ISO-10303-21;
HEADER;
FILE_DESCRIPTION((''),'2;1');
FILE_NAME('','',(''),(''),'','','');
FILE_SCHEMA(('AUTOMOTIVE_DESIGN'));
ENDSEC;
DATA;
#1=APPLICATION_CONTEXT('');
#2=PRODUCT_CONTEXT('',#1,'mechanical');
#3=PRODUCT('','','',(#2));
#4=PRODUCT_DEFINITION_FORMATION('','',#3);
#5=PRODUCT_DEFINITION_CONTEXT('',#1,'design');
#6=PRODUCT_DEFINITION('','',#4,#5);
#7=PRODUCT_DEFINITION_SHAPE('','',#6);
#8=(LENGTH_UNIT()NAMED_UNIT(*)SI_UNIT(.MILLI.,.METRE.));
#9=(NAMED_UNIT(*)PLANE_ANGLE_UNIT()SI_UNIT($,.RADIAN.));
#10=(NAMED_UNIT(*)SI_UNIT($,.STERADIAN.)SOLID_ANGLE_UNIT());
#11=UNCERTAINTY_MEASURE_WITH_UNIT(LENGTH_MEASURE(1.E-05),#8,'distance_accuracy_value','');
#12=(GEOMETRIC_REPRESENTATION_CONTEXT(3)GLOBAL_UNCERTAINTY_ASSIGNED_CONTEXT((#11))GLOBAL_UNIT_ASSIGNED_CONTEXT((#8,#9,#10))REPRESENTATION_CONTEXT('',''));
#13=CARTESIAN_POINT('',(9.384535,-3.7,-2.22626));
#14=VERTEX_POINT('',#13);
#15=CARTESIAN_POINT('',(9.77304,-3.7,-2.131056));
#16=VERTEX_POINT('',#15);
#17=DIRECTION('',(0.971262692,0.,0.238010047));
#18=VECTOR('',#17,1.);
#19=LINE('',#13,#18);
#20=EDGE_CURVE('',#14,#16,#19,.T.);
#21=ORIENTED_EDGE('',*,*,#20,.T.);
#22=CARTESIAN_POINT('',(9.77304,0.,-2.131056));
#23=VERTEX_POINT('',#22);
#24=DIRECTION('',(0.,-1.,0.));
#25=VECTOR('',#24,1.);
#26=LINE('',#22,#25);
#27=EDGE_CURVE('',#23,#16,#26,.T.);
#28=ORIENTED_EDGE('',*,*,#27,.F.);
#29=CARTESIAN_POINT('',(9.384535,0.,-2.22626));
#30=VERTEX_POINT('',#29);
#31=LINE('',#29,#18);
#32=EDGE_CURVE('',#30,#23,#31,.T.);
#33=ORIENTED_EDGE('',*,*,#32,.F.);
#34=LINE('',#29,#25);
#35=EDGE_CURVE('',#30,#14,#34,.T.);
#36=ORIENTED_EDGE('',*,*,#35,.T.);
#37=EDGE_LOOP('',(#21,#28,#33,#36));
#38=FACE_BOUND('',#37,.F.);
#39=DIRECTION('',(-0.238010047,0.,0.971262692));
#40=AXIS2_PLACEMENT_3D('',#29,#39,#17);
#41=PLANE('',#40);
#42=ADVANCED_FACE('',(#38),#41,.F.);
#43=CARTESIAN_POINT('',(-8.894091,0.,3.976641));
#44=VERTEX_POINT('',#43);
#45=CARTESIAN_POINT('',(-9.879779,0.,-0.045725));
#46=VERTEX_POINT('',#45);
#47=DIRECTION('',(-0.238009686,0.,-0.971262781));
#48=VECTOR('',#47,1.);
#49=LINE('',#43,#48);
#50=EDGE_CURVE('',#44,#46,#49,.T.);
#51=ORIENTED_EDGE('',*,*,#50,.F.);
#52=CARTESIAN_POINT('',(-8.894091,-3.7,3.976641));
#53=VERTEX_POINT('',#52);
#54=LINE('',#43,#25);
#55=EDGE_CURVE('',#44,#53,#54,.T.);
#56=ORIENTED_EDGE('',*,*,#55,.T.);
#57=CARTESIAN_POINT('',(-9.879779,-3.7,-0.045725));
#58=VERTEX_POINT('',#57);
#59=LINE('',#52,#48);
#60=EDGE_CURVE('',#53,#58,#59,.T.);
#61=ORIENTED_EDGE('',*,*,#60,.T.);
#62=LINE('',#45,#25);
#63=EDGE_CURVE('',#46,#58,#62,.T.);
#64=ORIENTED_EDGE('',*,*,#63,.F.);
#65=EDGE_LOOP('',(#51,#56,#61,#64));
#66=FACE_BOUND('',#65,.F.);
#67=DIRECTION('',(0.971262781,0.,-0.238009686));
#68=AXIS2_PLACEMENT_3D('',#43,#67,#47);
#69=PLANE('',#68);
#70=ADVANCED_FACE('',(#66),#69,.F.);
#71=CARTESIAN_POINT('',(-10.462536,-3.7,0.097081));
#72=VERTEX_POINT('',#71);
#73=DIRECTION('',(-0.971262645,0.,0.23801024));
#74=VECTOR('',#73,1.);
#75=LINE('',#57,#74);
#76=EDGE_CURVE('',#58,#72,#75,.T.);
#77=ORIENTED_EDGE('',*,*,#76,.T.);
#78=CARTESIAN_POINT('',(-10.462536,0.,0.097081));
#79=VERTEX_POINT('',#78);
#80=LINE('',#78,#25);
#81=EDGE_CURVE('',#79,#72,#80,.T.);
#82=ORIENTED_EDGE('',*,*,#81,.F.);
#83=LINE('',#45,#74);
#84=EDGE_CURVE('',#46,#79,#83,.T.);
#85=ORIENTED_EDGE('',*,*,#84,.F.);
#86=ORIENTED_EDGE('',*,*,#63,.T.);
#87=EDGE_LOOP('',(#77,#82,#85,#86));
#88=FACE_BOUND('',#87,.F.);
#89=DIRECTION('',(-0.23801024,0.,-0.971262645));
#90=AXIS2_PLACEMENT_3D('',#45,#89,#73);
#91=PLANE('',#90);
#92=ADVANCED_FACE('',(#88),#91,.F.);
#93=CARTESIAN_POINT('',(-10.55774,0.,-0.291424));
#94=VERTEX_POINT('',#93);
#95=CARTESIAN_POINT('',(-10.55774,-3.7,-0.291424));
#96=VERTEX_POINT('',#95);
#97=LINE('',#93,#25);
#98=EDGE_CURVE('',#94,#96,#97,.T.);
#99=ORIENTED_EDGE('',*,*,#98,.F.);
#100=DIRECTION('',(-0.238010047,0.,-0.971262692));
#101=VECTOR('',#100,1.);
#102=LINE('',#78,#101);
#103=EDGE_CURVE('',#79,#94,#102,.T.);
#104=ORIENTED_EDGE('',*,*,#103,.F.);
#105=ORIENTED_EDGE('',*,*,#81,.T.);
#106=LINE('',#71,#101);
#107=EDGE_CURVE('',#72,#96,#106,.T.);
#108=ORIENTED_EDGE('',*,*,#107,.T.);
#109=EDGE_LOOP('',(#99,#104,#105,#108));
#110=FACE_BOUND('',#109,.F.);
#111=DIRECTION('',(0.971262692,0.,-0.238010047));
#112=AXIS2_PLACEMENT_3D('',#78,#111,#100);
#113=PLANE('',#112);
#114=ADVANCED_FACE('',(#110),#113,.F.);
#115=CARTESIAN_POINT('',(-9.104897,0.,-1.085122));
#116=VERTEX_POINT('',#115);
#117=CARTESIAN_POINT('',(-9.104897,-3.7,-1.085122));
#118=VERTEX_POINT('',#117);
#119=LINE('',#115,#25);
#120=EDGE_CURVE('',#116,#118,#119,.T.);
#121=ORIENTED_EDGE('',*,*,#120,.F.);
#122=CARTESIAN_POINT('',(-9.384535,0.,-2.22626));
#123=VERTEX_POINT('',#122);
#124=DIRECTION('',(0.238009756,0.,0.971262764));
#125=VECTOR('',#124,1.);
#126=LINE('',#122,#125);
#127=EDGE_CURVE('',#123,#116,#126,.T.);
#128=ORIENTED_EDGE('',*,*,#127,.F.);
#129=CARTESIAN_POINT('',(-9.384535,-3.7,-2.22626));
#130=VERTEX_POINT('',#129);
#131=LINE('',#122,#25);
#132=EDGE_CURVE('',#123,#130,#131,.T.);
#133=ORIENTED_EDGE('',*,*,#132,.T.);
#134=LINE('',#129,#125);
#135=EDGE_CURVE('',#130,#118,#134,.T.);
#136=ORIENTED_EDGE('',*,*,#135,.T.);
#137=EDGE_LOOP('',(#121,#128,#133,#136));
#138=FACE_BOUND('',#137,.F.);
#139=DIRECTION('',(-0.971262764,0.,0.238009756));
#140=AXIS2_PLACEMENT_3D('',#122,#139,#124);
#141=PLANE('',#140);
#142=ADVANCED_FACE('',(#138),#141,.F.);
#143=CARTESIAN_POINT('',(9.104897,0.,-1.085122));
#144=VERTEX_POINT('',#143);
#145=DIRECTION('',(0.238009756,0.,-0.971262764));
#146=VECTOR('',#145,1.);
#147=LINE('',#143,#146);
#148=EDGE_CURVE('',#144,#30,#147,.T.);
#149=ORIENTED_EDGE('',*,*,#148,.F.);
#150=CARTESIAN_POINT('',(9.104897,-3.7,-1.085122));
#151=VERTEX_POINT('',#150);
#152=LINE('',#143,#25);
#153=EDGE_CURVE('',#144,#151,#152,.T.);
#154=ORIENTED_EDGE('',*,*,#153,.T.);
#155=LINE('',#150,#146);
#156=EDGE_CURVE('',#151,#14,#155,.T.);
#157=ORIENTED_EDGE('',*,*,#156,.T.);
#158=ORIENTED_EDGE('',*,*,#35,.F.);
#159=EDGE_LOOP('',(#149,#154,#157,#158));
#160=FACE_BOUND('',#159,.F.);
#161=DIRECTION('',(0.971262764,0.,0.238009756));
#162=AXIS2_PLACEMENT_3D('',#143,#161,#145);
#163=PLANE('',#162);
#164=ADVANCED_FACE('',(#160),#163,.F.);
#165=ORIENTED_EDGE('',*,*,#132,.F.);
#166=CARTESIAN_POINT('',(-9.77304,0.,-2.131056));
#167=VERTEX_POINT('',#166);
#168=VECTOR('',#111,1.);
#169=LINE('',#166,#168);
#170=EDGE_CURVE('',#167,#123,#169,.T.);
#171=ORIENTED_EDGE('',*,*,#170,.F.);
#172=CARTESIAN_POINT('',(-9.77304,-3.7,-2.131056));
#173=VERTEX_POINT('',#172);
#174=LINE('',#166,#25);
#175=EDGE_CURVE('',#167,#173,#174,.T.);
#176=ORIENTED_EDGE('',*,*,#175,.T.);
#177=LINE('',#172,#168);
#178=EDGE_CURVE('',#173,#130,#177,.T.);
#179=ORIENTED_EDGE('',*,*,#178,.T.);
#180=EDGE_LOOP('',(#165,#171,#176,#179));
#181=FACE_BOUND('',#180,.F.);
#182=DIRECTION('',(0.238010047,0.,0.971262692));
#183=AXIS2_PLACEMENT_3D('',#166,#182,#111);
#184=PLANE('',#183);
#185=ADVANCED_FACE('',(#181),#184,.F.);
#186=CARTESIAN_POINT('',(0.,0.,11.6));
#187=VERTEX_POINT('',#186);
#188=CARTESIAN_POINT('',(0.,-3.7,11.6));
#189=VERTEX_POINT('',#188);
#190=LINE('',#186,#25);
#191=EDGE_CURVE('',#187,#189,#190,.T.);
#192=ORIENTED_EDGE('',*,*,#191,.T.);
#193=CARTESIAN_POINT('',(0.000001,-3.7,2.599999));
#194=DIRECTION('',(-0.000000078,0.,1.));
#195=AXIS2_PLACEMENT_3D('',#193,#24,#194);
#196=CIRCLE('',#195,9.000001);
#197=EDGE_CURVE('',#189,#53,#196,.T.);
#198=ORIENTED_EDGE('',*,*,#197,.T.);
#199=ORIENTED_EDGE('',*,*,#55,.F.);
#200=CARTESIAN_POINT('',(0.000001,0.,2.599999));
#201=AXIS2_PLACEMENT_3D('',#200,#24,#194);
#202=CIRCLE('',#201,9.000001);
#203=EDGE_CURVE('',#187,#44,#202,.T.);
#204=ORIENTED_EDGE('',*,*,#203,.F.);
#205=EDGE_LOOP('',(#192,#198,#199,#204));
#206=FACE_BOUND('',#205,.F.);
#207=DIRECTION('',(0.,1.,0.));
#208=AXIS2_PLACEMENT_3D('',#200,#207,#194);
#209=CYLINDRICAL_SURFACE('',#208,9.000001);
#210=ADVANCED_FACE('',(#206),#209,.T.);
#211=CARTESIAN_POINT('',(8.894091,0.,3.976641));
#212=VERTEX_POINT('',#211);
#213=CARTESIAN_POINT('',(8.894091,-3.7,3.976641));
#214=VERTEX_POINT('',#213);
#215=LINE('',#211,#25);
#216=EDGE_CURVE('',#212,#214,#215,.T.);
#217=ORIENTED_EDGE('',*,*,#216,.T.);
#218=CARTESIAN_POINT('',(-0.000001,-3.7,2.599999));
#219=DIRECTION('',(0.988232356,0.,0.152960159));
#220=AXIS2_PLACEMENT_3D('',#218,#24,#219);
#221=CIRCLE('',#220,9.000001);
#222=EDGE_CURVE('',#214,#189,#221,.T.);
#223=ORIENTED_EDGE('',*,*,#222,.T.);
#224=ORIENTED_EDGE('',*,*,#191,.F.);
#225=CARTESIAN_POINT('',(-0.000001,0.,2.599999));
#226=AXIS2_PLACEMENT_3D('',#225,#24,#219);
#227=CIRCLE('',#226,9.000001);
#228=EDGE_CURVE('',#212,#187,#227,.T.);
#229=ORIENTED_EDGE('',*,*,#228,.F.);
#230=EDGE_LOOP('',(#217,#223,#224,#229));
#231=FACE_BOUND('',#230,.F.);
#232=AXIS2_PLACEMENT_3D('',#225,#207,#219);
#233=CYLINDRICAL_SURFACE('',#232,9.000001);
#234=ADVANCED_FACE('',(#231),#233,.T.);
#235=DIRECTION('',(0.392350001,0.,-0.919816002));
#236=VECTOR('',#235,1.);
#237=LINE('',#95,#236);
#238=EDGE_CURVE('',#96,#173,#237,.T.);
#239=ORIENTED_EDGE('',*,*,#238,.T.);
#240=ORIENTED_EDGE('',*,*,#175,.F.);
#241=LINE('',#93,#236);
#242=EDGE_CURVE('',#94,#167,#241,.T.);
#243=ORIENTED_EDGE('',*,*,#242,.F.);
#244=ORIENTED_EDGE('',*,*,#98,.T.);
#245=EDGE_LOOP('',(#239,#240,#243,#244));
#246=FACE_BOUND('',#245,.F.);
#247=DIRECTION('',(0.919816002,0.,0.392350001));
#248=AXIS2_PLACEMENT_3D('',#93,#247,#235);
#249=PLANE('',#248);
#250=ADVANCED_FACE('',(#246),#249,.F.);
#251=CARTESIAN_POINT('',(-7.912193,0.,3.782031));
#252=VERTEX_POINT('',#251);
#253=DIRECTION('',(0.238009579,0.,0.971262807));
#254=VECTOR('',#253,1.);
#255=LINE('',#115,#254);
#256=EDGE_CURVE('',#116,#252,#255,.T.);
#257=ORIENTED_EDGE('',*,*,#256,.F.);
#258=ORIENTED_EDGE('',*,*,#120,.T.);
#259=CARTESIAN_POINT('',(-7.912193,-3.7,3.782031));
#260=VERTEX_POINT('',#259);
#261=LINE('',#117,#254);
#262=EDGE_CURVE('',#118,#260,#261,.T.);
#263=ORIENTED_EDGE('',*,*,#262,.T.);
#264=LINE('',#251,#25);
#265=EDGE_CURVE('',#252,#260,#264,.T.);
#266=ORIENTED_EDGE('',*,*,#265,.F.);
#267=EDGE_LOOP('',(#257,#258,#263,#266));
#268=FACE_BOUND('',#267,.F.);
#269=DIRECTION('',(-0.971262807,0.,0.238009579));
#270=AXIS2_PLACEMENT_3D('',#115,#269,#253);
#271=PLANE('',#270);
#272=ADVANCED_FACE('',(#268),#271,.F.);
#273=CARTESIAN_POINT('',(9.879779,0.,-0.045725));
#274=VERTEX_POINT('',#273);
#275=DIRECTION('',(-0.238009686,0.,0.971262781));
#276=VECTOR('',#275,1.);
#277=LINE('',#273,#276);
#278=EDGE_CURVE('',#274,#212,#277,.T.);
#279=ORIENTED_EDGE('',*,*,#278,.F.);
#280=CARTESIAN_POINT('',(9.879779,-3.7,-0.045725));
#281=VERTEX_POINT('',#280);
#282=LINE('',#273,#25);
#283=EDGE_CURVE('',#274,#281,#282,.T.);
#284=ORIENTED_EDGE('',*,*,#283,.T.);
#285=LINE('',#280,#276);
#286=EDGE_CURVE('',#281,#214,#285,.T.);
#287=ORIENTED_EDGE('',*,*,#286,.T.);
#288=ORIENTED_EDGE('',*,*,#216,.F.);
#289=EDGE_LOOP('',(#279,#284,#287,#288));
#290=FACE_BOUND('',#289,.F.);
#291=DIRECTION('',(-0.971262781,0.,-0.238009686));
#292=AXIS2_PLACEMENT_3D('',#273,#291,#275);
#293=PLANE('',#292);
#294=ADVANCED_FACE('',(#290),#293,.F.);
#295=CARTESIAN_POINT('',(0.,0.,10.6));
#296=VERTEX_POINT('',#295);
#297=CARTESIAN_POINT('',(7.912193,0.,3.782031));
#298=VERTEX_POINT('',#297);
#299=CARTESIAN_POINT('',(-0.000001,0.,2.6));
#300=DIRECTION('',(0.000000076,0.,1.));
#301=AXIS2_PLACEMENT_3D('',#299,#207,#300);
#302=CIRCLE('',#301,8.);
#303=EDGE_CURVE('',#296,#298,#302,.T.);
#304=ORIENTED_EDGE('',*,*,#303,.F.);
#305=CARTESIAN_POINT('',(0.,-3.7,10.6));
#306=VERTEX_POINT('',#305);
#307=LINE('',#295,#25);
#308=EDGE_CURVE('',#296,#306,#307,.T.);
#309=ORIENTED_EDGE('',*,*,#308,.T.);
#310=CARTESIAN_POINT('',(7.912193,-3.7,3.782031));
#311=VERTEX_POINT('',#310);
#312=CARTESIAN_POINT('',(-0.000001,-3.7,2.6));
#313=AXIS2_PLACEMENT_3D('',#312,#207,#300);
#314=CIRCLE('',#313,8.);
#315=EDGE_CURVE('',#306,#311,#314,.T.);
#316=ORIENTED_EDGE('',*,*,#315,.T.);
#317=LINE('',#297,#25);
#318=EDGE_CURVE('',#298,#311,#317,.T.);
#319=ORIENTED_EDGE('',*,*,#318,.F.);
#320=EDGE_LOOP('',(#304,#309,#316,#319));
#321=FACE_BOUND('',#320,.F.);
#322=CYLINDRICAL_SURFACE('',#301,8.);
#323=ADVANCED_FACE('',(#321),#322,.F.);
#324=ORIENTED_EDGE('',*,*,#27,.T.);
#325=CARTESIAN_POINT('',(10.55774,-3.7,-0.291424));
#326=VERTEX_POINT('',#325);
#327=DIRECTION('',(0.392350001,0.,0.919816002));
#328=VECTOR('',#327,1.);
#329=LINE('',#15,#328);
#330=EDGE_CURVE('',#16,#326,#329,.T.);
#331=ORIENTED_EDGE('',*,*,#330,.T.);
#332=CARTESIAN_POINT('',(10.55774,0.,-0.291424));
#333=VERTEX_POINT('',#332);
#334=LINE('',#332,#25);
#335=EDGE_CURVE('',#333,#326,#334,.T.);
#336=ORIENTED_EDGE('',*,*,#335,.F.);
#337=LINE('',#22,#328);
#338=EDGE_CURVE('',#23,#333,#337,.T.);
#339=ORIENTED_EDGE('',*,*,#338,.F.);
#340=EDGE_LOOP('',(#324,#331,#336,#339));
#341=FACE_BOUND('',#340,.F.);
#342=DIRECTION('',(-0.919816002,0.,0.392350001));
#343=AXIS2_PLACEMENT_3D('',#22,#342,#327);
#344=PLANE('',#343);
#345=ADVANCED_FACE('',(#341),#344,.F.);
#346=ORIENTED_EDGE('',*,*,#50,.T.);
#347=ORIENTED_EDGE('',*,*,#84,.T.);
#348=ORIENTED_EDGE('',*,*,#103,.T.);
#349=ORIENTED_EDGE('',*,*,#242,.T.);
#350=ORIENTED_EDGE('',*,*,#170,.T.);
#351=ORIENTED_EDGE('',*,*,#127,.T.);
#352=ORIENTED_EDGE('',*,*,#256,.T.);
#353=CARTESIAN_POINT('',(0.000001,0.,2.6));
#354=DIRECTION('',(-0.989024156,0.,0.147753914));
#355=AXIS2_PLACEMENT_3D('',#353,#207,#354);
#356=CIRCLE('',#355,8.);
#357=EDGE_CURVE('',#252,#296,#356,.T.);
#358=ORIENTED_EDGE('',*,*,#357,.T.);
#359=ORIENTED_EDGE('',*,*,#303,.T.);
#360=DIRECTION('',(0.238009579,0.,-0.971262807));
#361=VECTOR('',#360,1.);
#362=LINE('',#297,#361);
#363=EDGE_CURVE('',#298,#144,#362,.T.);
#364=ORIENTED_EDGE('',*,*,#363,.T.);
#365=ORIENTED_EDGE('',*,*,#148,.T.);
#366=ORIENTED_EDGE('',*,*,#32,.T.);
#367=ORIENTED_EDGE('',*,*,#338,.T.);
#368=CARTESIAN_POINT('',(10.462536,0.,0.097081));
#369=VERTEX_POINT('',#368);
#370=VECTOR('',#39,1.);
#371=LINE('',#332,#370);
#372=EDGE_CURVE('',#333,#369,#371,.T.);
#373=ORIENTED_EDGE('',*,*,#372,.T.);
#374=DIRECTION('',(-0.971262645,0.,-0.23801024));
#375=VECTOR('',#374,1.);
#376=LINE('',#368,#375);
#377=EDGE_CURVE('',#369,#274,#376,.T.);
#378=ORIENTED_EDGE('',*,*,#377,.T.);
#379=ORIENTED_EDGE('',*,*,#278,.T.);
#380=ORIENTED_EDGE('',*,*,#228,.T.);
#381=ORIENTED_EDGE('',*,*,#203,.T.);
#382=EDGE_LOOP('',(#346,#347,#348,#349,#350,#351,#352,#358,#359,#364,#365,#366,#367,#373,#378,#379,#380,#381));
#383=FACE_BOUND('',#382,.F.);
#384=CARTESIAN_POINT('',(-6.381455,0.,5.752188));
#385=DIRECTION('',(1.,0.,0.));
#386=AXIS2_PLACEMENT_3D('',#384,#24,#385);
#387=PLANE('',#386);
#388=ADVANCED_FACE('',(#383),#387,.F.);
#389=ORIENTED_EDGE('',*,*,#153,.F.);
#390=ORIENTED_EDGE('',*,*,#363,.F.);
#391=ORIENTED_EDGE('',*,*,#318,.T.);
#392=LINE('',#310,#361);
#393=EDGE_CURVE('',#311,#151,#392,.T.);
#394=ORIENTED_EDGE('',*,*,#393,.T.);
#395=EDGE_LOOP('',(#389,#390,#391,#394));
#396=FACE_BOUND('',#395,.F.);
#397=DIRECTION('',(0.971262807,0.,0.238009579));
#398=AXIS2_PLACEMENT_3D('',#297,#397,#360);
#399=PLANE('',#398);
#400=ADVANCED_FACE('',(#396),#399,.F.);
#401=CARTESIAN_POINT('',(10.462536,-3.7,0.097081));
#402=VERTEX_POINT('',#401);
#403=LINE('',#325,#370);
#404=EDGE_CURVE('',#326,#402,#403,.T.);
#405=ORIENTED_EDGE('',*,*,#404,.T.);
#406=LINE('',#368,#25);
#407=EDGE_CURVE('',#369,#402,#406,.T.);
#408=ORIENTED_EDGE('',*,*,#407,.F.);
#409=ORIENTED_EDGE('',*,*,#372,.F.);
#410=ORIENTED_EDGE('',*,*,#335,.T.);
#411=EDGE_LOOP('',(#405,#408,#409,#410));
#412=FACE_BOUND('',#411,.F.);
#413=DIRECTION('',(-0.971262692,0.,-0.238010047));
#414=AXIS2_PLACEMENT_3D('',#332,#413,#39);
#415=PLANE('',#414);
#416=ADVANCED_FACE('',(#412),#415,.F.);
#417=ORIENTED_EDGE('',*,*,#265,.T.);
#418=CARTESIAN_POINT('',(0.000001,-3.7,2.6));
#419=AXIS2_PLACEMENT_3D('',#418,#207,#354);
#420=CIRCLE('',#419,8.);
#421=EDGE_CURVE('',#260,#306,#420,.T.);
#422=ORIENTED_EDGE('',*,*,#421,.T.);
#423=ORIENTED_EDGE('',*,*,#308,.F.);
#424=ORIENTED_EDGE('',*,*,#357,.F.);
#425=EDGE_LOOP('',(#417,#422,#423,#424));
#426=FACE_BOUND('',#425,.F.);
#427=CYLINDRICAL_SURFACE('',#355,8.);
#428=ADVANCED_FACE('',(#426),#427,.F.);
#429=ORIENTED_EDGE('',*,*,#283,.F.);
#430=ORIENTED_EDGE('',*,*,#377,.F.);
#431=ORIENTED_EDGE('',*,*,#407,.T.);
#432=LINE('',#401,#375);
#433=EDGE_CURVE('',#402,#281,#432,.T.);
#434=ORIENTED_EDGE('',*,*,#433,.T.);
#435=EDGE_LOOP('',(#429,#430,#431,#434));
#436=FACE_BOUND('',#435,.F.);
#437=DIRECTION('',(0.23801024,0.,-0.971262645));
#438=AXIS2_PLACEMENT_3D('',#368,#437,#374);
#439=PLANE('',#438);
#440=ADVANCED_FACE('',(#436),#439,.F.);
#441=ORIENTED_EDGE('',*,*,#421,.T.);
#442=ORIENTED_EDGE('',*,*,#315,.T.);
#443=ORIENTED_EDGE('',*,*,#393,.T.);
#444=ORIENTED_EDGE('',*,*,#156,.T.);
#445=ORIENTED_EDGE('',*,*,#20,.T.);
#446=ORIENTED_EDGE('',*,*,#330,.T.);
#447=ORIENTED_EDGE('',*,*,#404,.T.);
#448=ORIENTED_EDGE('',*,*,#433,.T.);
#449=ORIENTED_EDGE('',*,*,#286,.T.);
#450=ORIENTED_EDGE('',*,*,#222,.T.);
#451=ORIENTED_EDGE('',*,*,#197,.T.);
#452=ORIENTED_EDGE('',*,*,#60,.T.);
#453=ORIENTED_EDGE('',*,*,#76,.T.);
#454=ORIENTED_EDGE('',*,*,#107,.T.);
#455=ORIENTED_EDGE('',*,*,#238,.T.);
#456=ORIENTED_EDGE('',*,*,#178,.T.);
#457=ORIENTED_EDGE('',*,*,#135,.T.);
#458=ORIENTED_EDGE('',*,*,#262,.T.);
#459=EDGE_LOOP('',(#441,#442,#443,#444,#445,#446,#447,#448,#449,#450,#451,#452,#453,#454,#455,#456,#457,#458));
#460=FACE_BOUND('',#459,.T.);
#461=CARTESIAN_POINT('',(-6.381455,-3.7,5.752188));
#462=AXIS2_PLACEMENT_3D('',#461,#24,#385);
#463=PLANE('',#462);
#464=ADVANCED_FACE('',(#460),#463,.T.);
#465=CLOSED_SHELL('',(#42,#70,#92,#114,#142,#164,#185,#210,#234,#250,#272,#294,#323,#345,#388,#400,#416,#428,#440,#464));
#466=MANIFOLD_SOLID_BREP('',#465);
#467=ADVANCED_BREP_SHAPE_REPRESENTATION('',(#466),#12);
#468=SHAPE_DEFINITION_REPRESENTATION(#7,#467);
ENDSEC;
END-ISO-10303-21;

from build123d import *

# Parameters (mm, degrees)
F1_DEPTH = 3.7


with BuildPart() as f1:
    # F0 (on Front) → F1 (new body)
    with BuildSketch(Plane.XZ):
        with BuildLine():
            Line((0, 10.6), (0, 11.6))
            ThreePointArc((0, 11.6), (-5.857057, 9.433365), (-8.894091, 3.976641))
            Line((-8.894091, 3.976641), (-9.879779, -0.045725))
            Line((-9.879779, -0.045725), (-10.462536, 0.097081))
            Line((-10.462536, 0.097081), (-10.55774, -0.291424))
            Line((-10.55774, -0.291424), (-9.77304, -2.131056))
            Line((-9.77304, -2.131056), (-9.384535, -2.22626))
            Line((-9.384535, -2.22626), (-9.104897, -1.085122))
            Line((-9.104897, -1.085122), (-7.912193, 3.782031))
            ThreePointArc((-7.912193, 3.782031), (-5.222248, 8.660373), (0, 10.6))
        make_face()
        with BuildLine():
            ThreePointArc((8.894091, 3.976641), (5.857057, 9.433365), (0, 11.6))
            Line((0, 11.6), (0, 10.6))
            ThreePointArc((0, 10.6), (5.222248, 8.660373), (7.912193, 3.782031))
            Line((7.912193, 3.782031), (9.104897, -1.085122))
            Line((9.104897, -1.085122), (9.384535, -2.22626))
            Line((9.384535, -2.22626), (9.77304, -2.131056))
            Line((9.77304, -2.131056), (10.55774, -0.291424))
            Line((10.55774, -0.291424), (10.462536, 0.097081))
            Line((10.462536, 0.097081), (9.879779, -0.045725))
            Line((9.879779, -0.045725), (8.894091, 3.976641))
        make_face()
    extrude(amount=F1_DEPTH)


solid = f1.part
